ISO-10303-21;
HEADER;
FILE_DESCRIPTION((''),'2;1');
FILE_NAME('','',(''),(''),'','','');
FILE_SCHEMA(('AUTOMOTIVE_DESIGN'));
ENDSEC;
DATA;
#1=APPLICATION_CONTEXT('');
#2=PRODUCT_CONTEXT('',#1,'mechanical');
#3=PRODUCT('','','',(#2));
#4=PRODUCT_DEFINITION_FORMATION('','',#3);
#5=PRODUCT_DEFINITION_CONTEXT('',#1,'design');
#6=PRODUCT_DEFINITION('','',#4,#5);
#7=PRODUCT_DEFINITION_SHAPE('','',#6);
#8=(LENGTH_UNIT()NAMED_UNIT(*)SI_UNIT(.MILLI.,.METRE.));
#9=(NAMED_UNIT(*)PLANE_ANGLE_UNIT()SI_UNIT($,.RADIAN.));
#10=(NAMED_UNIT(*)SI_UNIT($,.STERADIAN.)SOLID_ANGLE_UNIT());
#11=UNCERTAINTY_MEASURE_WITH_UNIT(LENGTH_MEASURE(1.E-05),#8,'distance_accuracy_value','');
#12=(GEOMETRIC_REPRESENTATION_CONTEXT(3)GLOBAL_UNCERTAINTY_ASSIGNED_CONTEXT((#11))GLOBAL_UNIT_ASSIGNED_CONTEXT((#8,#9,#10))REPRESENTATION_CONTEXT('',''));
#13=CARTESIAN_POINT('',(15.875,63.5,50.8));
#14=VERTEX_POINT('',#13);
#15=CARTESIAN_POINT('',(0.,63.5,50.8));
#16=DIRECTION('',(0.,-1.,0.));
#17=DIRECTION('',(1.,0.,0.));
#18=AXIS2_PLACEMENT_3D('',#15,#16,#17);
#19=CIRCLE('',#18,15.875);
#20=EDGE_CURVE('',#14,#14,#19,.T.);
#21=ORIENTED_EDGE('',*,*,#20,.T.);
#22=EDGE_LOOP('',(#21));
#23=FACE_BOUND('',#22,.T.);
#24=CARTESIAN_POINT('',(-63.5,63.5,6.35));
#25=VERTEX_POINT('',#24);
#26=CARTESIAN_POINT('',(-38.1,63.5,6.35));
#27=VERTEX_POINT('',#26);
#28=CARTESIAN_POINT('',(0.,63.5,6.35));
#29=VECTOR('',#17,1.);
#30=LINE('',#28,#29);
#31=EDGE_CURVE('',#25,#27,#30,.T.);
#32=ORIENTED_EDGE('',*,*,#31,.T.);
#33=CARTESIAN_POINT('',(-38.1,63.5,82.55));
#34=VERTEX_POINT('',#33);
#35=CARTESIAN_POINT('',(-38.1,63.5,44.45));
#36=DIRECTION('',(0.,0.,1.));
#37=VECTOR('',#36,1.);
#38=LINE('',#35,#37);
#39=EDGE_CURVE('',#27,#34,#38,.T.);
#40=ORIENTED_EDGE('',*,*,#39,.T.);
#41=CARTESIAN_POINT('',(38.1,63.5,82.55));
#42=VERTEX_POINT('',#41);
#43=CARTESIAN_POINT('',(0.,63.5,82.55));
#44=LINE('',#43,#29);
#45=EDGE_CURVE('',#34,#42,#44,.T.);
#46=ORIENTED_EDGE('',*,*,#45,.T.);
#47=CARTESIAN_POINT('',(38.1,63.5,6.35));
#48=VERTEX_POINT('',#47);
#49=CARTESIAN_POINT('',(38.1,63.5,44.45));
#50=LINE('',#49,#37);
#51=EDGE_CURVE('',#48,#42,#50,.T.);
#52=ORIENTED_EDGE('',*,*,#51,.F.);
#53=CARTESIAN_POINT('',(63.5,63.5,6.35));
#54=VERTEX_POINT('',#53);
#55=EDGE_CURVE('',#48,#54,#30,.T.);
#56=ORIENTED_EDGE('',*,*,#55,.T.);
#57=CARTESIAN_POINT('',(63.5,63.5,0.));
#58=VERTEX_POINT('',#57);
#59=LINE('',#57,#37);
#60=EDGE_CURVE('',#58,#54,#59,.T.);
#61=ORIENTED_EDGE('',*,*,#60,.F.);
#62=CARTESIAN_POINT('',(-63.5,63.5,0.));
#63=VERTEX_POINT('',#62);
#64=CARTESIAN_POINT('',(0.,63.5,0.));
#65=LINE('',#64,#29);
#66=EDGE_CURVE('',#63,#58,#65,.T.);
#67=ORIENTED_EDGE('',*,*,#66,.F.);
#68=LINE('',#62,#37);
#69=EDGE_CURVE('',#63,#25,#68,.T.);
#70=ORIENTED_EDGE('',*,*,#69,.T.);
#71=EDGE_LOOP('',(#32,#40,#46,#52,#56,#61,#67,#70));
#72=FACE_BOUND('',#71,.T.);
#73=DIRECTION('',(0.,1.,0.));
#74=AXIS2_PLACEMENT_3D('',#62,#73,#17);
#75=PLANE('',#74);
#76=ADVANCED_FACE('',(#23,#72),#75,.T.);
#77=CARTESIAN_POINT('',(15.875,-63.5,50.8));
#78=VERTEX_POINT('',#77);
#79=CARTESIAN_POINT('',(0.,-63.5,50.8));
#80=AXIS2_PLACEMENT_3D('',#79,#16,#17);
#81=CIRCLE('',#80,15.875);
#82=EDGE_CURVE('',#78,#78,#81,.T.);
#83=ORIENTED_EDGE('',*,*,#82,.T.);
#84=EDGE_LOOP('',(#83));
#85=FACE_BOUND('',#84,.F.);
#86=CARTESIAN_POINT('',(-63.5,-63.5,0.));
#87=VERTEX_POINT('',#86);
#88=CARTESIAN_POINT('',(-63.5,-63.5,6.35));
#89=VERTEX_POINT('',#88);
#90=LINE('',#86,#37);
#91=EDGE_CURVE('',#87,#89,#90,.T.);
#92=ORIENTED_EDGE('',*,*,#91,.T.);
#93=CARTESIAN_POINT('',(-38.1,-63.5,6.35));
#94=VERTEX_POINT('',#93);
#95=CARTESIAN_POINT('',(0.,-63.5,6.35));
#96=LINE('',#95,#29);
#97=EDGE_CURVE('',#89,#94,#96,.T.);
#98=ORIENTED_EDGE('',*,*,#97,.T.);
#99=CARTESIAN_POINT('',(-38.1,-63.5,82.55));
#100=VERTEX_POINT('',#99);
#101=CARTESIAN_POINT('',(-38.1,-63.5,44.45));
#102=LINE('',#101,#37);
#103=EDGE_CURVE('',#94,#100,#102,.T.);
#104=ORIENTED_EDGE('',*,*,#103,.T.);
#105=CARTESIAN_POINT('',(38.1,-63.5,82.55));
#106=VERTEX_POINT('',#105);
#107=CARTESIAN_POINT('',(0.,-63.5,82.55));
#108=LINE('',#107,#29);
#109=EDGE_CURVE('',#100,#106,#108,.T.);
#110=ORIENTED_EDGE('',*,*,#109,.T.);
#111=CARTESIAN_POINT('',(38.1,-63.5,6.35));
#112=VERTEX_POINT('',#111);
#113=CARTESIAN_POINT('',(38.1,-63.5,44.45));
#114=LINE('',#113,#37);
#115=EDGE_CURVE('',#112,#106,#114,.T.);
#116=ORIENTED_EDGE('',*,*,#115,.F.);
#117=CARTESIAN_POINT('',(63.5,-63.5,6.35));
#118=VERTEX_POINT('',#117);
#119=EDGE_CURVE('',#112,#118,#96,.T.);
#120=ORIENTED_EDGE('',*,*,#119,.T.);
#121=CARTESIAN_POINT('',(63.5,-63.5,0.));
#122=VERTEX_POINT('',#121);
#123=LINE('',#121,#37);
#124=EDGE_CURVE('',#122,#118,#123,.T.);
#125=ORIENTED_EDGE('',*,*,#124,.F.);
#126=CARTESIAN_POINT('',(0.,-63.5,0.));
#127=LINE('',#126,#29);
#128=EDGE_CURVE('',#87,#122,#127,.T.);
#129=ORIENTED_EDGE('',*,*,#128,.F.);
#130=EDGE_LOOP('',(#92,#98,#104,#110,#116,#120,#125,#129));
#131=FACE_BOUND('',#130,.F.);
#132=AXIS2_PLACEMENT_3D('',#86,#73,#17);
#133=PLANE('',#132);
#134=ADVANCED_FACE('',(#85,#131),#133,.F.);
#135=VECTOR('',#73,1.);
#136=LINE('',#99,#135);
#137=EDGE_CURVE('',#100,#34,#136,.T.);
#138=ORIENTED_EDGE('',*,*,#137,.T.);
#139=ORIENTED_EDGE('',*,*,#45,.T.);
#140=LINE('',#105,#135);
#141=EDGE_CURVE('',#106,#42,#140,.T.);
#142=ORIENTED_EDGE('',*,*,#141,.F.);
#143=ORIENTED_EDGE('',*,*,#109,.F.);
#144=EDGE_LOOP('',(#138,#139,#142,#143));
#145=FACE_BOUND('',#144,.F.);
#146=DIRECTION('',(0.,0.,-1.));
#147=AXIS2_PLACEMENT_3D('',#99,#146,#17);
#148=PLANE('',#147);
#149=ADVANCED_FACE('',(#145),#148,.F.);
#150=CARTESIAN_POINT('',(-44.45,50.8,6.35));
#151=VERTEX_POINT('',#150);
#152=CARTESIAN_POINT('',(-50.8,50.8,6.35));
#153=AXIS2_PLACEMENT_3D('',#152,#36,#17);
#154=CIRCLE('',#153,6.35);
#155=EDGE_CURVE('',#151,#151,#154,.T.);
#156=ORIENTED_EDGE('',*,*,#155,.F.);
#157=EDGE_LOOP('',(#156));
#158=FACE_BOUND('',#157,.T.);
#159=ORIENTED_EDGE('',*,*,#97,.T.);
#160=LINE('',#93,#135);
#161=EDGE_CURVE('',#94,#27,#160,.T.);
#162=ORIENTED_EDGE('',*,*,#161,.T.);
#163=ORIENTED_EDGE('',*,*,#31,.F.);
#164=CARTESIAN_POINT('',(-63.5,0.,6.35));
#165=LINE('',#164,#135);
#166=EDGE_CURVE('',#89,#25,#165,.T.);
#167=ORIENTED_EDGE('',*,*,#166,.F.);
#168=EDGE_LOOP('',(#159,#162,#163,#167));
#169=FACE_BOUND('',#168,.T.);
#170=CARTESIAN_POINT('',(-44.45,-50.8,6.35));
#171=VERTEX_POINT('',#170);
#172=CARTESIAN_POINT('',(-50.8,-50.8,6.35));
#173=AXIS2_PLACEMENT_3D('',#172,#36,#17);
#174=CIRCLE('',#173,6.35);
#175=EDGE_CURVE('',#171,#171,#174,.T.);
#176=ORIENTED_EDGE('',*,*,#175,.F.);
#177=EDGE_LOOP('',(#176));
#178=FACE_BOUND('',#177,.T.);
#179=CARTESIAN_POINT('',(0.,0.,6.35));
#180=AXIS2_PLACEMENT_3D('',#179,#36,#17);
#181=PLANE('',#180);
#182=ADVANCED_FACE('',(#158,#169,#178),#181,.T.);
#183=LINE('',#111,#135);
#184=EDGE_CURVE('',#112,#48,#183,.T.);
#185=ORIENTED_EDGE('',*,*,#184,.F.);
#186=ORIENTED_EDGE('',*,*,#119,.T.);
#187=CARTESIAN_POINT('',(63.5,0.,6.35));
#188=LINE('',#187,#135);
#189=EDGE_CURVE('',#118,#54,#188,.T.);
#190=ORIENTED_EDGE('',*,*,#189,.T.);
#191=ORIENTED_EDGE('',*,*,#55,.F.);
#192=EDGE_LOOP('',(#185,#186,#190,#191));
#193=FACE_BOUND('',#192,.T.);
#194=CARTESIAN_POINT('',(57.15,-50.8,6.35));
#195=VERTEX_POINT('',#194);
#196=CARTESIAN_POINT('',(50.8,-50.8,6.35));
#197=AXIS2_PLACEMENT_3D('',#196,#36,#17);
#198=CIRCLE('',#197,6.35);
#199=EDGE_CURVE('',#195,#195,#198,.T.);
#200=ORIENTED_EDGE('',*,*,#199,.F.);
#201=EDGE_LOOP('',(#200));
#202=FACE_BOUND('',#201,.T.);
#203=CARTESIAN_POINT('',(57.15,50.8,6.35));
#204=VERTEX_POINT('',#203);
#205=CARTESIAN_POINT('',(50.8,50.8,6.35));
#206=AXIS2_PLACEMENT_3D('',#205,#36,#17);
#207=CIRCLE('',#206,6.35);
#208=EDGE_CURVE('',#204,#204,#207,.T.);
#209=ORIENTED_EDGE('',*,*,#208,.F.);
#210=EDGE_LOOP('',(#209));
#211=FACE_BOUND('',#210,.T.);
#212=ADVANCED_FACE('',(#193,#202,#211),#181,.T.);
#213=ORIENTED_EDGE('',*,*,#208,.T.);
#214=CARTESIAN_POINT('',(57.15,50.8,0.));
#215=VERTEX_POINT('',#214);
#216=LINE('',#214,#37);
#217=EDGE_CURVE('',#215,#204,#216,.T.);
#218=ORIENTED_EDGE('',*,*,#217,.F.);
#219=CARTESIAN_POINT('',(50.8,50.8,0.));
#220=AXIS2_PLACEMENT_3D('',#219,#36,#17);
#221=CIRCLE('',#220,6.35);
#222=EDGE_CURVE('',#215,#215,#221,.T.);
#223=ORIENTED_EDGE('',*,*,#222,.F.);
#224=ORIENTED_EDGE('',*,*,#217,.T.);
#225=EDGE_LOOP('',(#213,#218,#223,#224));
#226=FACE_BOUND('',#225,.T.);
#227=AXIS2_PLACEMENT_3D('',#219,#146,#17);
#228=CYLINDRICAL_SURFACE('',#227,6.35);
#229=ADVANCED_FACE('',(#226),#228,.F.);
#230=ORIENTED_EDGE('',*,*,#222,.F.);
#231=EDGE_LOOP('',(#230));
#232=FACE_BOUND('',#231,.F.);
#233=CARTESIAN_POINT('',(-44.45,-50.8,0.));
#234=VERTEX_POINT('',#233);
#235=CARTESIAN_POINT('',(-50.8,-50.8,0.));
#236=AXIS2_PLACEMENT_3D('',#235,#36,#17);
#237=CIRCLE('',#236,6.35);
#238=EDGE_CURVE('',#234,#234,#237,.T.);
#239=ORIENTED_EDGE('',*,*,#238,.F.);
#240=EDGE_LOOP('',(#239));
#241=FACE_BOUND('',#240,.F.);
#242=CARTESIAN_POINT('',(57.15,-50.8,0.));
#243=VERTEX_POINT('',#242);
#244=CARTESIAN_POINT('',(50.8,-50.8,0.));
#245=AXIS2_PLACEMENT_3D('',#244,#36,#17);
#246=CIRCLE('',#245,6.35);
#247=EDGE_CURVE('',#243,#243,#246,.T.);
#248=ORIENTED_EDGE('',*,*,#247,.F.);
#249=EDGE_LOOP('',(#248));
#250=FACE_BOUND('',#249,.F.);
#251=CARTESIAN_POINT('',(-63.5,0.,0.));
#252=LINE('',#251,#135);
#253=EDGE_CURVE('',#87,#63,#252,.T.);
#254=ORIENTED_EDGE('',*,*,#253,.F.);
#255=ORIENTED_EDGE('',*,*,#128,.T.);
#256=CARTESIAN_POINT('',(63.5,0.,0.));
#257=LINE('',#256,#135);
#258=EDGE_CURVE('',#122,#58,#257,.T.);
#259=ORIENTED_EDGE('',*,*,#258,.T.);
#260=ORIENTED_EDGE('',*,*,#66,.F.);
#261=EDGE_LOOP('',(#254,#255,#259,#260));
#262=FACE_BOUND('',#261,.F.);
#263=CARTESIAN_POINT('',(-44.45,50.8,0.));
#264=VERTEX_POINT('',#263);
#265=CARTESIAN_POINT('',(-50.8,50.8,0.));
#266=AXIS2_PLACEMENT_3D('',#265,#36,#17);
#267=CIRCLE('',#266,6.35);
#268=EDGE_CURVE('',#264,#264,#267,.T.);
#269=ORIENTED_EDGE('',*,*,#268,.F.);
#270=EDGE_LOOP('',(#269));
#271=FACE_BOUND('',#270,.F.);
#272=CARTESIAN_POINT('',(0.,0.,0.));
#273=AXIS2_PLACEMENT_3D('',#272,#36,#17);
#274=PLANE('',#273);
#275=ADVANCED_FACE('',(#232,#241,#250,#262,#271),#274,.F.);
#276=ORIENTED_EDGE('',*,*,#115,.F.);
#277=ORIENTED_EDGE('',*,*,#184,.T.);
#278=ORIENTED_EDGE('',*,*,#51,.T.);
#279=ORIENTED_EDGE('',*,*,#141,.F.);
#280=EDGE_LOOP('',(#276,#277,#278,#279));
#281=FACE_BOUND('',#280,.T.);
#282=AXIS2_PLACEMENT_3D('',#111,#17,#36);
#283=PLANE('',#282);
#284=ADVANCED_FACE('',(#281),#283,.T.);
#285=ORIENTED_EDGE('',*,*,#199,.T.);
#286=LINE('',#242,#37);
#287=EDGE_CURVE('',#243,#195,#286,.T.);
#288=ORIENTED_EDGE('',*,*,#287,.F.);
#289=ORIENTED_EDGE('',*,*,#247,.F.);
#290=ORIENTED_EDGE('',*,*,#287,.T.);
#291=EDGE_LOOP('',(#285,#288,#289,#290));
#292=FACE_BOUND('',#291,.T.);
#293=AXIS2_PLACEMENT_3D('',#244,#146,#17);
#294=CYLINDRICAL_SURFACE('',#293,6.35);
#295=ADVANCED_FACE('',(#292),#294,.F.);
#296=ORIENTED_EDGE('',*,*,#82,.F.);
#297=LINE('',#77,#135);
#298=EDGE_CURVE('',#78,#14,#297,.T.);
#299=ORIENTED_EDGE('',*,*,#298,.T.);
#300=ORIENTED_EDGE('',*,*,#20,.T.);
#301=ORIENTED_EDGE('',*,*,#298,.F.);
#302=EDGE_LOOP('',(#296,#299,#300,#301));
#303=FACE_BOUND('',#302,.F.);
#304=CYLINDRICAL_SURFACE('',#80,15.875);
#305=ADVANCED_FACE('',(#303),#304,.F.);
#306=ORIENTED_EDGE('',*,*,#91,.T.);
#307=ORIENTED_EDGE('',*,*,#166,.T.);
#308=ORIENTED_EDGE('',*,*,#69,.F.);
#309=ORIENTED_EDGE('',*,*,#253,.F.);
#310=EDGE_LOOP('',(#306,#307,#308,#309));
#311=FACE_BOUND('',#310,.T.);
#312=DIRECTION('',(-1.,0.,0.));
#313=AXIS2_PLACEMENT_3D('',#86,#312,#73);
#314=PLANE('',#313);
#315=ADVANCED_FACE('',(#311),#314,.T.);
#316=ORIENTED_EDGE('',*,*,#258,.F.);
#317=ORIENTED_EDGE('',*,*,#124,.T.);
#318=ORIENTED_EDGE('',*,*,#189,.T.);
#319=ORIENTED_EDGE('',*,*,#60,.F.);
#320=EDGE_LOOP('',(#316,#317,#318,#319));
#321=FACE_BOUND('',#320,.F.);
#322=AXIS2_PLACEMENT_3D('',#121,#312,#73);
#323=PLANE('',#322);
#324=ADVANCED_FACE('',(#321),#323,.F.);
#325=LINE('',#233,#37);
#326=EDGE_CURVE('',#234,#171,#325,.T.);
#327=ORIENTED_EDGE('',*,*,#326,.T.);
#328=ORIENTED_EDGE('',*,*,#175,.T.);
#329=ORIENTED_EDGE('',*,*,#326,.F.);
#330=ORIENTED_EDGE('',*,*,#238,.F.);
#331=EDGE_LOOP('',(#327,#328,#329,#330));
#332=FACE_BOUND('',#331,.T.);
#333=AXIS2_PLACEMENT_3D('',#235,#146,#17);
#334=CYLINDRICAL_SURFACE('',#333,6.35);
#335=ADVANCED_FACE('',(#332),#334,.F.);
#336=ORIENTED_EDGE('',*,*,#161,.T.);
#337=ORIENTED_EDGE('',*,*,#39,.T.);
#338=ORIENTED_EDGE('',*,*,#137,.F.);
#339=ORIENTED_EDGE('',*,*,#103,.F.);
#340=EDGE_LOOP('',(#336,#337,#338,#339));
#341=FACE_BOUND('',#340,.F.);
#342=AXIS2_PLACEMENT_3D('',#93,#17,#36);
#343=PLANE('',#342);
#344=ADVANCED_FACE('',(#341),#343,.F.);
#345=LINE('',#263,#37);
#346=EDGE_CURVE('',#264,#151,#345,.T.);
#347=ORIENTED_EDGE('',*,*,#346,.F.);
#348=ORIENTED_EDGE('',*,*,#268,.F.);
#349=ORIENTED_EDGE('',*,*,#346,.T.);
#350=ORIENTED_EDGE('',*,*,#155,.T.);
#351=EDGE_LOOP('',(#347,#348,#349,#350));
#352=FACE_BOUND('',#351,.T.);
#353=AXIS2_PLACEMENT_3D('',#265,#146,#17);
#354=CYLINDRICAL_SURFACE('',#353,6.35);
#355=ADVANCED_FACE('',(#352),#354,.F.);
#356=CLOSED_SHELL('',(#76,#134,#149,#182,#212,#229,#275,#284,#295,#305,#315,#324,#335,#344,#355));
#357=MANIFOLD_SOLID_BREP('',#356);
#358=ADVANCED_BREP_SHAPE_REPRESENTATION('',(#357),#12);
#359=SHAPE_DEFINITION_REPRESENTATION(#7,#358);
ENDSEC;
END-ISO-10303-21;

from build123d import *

# Parameters (mm, degrees)
F0_W     = 127
F0_H     = 127
F0_R     = 6.35
F1_DEPTH = 6.35
F2_W     = 76.2
F2_H     = 76.2
F2_R     = 15.875
F3_DEPTH = 127


with BuildPart() as f1:
    # F0 (on Top) → F1 (new body)
    with BuildSketch(Plane.XY):
        Rectangle(F0_W, F0_H)
        with Locations((-50.8, -50.8)):
            Circle(F0_R, mode=Mode.SUBTRACT)
        with Locations((50.8, -50.8)):
            Circle(F0_R, mode=Mode.SUBTRACT)
        with Locations((-50.8, 50.8)):
            Circle(F0_R, mode=Mode.SUBTRACT)
        with Locations((50.8, 50.8)):
            Circle(F0_R, mode=Mode.SUBTRACT)
    extrude(amount=F1_DEPTH)

    # F2 (on face) → F3 (join, through all)
    with BuildSketch(Plane.XZ.offset(63.5)):
        with Locations((0, 44.45)):
            Rectangle(F2_W, F2_H)
        with Locations((0, 50.8)):
            Circle(F2_R, mode=Mode.SUBTRACT)
    extrude(amount=-F3_DEPTH)


solid = f1.part
